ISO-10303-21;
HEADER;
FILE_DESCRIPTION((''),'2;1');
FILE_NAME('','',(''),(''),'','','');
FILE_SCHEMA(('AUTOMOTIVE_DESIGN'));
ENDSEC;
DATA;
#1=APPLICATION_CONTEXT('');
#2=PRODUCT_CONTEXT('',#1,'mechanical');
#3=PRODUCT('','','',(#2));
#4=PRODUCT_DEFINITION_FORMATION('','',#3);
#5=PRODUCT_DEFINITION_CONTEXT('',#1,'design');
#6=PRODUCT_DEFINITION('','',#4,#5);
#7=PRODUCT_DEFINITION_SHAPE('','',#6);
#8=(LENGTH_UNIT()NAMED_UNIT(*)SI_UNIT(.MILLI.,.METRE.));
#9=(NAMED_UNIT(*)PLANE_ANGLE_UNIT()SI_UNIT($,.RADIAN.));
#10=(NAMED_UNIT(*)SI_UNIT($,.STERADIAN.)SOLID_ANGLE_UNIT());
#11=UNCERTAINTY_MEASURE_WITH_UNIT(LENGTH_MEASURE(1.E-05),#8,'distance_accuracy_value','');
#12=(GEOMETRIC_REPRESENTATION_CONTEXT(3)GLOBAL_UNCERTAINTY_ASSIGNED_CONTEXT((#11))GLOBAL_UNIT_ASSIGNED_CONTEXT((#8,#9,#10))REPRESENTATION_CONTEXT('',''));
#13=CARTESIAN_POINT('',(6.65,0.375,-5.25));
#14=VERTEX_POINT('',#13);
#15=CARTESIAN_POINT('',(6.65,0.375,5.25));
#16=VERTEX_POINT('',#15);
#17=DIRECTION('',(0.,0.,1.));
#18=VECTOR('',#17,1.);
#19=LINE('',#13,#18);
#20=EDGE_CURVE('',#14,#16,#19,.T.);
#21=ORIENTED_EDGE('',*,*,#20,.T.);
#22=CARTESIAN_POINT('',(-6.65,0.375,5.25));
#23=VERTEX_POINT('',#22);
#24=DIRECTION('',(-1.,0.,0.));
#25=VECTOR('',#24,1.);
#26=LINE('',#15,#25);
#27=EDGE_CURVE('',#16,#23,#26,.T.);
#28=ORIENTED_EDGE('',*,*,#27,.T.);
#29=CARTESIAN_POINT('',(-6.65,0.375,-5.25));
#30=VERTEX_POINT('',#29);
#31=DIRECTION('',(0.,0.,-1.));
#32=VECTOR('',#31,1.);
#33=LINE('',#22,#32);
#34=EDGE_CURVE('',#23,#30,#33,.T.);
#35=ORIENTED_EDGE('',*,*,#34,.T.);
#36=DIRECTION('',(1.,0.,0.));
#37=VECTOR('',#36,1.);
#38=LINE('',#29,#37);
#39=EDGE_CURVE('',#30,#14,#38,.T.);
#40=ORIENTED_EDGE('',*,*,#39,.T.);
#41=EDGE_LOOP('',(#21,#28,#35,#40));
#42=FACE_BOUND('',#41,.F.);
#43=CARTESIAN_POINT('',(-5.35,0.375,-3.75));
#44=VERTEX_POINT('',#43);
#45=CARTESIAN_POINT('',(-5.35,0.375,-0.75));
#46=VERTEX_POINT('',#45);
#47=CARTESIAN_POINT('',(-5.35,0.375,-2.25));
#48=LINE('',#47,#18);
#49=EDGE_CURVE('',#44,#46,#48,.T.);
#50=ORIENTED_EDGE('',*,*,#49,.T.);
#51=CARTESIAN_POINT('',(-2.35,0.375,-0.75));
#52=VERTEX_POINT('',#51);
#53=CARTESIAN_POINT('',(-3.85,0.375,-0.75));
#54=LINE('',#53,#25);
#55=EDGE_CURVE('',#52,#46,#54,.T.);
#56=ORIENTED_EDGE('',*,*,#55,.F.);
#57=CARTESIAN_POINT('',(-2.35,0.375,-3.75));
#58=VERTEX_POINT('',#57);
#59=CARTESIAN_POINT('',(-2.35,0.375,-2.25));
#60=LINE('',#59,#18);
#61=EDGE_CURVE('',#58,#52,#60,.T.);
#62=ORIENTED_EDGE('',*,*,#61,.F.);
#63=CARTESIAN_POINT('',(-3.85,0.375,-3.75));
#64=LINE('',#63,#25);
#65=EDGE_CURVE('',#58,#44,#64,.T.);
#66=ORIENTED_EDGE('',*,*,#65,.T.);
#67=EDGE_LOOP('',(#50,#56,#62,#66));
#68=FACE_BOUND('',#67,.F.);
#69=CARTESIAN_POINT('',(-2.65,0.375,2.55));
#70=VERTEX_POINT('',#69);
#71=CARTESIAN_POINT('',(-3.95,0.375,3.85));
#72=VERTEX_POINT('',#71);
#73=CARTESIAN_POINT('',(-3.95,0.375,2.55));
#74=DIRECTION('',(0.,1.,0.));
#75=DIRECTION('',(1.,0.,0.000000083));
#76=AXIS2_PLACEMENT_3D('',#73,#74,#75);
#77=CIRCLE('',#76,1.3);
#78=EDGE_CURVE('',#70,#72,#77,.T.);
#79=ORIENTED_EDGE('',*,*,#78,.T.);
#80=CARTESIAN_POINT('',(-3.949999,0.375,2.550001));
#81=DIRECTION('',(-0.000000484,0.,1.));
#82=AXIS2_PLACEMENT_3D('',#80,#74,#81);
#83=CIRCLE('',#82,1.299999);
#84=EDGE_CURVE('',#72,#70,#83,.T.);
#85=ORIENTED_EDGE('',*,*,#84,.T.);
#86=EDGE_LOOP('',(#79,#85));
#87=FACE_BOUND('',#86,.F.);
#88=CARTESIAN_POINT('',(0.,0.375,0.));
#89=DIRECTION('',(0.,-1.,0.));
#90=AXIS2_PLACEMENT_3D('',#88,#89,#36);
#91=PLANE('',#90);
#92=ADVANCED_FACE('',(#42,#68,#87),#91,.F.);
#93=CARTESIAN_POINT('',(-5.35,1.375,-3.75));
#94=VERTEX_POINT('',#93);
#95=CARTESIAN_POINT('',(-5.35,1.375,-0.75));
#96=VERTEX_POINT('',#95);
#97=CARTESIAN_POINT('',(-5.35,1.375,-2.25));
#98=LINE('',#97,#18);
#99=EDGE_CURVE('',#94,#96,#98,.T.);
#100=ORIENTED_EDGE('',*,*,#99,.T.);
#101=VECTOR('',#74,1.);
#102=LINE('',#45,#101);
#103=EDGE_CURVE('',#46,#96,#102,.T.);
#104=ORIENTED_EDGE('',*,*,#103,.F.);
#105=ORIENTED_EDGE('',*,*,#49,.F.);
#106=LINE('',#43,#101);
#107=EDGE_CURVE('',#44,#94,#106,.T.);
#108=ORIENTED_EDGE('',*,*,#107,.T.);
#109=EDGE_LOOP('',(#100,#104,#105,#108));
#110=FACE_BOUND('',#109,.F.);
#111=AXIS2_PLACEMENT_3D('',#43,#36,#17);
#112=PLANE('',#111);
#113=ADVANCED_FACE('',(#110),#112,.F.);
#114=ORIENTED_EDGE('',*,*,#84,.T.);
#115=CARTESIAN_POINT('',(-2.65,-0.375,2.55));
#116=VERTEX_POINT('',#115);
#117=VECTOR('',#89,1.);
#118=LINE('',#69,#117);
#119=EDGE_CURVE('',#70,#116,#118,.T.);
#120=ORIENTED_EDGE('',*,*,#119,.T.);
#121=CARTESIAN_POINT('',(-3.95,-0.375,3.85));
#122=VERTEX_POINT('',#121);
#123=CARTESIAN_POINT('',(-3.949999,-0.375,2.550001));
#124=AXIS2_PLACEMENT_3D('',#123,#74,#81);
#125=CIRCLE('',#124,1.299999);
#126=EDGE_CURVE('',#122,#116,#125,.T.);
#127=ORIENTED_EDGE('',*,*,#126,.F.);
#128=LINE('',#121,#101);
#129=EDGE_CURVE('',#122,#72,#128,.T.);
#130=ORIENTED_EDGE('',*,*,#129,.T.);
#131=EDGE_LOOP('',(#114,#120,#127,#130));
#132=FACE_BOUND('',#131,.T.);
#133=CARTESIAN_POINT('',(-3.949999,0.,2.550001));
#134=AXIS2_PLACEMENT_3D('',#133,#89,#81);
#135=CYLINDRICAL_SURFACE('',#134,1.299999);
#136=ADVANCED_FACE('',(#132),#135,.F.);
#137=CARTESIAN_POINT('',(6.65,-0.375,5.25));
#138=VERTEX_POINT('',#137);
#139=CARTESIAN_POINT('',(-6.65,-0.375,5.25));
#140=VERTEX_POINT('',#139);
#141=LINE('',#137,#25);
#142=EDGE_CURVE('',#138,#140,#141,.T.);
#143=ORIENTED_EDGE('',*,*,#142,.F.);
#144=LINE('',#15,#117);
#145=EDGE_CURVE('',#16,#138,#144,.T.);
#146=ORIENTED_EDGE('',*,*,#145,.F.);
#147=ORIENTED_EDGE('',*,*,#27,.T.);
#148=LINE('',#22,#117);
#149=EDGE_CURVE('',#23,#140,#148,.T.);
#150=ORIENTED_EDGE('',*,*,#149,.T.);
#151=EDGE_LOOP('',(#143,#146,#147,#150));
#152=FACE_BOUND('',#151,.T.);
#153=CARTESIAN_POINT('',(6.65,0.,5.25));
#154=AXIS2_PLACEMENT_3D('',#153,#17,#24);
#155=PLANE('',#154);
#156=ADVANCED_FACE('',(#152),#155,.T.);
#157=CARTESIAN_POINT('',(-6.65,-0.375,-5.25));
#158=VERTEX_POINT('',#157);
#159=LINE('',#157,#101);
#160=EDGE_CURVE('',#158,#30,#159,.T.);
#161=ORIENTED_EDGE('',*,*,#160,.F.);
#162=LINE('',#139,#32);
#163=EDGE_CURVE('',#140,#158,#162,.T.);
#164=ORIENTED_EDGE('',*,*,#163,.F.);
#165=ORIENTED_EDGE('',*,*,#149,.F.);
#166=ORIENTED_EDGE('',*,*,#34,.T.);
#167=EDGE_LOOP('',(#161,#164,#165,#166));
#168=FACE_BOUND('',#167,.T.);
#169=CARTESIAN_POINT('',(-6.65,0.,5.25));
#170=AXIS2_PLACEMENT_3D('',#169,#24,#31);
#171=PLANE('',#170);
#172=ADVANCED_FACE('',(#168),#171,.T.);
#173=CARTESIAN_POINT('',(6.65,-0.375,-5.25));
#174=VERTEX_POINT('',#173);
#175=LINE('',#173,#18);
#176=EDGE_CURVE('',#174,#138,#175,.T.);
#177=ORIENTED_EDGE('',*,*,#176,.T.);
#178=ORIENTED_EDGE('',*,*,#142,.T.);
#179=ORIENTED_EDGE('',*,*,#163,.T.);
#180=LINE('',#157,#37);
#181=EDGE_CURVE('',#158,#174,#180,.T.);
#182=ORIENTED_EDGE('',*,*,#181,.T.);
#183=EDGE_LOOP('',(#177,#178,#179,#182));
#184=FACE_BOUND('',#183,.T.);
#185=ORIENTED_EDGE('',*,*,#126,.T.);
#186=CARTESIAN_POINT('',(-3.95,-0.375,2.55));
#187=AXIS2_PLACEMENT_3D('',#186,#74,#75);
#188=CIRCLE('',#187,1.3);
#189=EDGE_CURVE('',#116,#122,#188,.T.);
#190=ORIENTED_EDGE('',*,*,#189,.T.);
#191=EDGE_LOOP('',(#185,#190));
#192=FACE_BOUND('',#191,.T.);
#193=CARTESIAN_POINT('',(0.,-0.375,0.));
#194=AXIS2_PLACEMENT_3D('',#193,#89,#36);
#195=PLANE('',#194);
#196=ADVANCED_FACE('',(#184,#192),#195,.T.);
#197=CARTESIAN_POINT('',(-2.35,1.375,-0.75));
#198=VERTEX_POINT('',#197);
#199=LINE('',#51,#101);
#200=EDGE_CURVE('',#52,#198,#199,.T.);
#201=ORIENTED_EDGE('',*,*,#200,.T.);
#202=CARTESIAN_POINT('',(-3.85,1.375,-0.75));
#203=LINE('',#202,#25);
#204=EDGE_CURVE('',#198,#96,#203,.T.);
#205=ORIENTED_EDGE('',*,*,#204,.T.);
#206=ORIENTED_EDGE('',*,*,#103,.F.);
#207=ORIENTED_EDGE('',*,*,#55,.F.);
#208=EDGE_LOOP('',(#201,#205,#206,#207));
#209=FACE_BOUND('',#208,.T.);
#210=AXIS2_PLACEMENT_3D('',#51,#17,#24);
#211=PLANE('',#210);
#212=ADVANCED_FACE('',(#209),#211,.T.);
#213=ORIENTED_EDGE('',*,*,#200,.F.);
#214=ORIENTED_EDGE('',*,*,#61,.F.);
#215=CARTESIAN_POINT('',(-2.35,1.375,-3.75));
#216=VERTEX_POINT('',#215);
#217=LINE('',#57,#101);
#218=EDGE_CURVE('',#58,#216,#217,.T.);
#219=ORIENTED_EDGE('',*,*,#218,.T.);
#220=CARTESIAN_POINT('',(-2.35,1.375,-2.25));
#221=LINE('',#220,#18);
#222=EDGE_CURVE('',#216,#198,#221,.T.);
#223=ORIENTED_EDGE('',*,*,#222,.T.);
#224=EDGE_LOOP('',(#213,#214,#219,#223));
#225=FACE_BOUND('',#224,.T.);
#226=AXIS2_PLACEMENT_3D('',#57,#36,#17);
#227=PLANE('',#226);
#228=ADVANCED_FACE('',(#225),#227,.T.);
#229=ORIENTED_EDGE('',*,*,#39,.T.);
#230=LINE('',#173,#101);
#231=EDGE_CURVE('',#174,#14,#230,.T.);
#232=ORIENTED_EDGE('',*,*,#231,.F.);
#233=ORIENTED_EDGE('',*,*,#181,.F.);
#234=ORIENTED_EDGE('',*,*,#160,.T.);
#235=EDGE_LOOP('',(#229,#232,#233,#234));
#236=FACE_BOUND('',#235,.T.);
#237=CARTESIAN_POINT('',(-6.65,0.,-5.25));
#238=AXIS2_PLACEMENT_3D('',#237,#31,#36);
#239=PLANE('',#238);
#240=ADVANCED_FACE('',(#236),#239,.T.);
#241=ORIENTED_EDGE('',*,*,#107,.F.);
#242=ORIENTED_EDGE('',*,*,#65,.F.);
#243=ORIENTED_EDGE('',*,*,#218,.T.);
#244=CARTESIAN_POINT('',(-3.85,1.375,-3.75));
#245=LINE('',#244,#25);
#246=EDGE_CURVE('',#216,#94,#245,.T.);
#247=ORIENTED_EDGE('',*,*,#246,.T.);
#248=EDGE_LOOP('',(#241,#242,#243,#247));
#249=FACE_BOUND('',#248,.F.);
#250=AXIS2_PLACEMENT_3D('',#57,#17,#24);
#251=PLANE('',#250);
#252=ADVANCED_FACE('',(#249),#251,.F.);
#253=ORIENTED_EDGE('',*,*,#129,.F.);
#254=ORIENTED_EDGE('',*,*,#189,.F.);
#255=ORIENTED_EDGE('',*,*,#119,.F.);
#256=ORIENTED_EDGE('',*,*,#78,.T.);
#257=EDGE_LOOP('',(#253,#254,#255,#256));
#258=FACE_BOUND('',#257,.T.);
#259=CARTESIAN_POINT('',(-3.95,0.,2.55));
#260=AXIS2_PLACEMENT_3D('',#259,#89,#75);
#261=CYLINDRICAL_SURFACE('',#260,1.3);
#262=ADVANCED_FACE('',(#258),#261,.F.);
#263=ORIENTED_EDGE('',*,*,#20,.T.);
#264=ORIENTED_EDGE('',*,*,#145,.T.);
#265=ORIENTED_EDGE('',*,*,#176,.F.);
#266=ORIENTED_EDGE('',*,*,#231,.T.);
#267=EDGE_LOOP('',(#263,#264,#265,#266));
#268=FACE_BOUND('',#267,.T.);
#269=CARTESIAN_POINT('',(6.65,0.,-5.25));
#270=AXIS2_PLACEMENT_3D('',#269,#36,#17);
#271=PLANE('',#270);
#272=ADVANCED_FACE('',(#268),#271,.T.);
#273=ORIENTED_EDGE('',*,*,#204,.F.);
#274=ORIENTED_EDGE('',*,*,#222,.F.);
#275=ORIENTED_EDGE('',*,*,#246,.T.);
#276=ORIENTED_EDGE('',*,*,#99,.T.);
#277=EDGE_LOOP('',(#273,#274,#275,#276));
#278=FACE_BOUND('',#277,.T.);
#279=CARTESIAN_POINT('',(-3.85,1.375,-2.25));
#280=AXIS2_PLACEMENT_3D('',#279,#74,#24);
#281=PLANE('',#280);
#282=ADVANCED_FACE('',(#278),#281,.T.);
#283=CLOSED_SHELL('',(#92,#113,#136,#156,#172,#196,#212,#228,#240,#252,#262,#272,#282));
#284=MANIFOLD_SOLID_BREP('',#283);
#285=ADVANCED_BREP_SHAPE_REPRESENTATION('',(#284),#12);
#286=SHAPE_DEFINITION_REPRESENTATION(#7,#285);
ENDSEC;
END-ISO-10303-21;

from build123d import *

# Parameters (mm, degrees)
F1_DEPTH = 0.375
F2_W     = 3
F2_H     = 3
F3_DEPTH = 1


with BuildPart() as f1:
    # F0 (on Front) → F1 (new body, symmetric)
    with BuildSketch(Plane.XZ):
        Polygon((6.65, -5.25), (6.65, 5.25), (-3.95, 5.25), (-6.65, 5.25), (-6.65, -5.25), align=None)
        with BuildLine():
            ThreePointArc((-2.65, 2.55), (-4.869239, 1.630761), (-3.95, 3.85))
            ThreePointArc((-3.95, 3.85), (-3.030761, 3.469239), (-2.65, 2.55))
        make_face(mode=Mode.SUBTRACT)
    extrude(amount=F1_DEPTH, both=True)

    # F2 (on face) → F3 (join)
    with BuildSketch(Plane(origin=(0, 0.375, 0), x_dir=(-1, 0, 0), z_dir=(0, 1, 0))):
        with Locations((3.85, -2.25)):
            Rectangle(F2_W, F2_H)
    extrude(amount=F3_DEPTH)


solid = f1.part
